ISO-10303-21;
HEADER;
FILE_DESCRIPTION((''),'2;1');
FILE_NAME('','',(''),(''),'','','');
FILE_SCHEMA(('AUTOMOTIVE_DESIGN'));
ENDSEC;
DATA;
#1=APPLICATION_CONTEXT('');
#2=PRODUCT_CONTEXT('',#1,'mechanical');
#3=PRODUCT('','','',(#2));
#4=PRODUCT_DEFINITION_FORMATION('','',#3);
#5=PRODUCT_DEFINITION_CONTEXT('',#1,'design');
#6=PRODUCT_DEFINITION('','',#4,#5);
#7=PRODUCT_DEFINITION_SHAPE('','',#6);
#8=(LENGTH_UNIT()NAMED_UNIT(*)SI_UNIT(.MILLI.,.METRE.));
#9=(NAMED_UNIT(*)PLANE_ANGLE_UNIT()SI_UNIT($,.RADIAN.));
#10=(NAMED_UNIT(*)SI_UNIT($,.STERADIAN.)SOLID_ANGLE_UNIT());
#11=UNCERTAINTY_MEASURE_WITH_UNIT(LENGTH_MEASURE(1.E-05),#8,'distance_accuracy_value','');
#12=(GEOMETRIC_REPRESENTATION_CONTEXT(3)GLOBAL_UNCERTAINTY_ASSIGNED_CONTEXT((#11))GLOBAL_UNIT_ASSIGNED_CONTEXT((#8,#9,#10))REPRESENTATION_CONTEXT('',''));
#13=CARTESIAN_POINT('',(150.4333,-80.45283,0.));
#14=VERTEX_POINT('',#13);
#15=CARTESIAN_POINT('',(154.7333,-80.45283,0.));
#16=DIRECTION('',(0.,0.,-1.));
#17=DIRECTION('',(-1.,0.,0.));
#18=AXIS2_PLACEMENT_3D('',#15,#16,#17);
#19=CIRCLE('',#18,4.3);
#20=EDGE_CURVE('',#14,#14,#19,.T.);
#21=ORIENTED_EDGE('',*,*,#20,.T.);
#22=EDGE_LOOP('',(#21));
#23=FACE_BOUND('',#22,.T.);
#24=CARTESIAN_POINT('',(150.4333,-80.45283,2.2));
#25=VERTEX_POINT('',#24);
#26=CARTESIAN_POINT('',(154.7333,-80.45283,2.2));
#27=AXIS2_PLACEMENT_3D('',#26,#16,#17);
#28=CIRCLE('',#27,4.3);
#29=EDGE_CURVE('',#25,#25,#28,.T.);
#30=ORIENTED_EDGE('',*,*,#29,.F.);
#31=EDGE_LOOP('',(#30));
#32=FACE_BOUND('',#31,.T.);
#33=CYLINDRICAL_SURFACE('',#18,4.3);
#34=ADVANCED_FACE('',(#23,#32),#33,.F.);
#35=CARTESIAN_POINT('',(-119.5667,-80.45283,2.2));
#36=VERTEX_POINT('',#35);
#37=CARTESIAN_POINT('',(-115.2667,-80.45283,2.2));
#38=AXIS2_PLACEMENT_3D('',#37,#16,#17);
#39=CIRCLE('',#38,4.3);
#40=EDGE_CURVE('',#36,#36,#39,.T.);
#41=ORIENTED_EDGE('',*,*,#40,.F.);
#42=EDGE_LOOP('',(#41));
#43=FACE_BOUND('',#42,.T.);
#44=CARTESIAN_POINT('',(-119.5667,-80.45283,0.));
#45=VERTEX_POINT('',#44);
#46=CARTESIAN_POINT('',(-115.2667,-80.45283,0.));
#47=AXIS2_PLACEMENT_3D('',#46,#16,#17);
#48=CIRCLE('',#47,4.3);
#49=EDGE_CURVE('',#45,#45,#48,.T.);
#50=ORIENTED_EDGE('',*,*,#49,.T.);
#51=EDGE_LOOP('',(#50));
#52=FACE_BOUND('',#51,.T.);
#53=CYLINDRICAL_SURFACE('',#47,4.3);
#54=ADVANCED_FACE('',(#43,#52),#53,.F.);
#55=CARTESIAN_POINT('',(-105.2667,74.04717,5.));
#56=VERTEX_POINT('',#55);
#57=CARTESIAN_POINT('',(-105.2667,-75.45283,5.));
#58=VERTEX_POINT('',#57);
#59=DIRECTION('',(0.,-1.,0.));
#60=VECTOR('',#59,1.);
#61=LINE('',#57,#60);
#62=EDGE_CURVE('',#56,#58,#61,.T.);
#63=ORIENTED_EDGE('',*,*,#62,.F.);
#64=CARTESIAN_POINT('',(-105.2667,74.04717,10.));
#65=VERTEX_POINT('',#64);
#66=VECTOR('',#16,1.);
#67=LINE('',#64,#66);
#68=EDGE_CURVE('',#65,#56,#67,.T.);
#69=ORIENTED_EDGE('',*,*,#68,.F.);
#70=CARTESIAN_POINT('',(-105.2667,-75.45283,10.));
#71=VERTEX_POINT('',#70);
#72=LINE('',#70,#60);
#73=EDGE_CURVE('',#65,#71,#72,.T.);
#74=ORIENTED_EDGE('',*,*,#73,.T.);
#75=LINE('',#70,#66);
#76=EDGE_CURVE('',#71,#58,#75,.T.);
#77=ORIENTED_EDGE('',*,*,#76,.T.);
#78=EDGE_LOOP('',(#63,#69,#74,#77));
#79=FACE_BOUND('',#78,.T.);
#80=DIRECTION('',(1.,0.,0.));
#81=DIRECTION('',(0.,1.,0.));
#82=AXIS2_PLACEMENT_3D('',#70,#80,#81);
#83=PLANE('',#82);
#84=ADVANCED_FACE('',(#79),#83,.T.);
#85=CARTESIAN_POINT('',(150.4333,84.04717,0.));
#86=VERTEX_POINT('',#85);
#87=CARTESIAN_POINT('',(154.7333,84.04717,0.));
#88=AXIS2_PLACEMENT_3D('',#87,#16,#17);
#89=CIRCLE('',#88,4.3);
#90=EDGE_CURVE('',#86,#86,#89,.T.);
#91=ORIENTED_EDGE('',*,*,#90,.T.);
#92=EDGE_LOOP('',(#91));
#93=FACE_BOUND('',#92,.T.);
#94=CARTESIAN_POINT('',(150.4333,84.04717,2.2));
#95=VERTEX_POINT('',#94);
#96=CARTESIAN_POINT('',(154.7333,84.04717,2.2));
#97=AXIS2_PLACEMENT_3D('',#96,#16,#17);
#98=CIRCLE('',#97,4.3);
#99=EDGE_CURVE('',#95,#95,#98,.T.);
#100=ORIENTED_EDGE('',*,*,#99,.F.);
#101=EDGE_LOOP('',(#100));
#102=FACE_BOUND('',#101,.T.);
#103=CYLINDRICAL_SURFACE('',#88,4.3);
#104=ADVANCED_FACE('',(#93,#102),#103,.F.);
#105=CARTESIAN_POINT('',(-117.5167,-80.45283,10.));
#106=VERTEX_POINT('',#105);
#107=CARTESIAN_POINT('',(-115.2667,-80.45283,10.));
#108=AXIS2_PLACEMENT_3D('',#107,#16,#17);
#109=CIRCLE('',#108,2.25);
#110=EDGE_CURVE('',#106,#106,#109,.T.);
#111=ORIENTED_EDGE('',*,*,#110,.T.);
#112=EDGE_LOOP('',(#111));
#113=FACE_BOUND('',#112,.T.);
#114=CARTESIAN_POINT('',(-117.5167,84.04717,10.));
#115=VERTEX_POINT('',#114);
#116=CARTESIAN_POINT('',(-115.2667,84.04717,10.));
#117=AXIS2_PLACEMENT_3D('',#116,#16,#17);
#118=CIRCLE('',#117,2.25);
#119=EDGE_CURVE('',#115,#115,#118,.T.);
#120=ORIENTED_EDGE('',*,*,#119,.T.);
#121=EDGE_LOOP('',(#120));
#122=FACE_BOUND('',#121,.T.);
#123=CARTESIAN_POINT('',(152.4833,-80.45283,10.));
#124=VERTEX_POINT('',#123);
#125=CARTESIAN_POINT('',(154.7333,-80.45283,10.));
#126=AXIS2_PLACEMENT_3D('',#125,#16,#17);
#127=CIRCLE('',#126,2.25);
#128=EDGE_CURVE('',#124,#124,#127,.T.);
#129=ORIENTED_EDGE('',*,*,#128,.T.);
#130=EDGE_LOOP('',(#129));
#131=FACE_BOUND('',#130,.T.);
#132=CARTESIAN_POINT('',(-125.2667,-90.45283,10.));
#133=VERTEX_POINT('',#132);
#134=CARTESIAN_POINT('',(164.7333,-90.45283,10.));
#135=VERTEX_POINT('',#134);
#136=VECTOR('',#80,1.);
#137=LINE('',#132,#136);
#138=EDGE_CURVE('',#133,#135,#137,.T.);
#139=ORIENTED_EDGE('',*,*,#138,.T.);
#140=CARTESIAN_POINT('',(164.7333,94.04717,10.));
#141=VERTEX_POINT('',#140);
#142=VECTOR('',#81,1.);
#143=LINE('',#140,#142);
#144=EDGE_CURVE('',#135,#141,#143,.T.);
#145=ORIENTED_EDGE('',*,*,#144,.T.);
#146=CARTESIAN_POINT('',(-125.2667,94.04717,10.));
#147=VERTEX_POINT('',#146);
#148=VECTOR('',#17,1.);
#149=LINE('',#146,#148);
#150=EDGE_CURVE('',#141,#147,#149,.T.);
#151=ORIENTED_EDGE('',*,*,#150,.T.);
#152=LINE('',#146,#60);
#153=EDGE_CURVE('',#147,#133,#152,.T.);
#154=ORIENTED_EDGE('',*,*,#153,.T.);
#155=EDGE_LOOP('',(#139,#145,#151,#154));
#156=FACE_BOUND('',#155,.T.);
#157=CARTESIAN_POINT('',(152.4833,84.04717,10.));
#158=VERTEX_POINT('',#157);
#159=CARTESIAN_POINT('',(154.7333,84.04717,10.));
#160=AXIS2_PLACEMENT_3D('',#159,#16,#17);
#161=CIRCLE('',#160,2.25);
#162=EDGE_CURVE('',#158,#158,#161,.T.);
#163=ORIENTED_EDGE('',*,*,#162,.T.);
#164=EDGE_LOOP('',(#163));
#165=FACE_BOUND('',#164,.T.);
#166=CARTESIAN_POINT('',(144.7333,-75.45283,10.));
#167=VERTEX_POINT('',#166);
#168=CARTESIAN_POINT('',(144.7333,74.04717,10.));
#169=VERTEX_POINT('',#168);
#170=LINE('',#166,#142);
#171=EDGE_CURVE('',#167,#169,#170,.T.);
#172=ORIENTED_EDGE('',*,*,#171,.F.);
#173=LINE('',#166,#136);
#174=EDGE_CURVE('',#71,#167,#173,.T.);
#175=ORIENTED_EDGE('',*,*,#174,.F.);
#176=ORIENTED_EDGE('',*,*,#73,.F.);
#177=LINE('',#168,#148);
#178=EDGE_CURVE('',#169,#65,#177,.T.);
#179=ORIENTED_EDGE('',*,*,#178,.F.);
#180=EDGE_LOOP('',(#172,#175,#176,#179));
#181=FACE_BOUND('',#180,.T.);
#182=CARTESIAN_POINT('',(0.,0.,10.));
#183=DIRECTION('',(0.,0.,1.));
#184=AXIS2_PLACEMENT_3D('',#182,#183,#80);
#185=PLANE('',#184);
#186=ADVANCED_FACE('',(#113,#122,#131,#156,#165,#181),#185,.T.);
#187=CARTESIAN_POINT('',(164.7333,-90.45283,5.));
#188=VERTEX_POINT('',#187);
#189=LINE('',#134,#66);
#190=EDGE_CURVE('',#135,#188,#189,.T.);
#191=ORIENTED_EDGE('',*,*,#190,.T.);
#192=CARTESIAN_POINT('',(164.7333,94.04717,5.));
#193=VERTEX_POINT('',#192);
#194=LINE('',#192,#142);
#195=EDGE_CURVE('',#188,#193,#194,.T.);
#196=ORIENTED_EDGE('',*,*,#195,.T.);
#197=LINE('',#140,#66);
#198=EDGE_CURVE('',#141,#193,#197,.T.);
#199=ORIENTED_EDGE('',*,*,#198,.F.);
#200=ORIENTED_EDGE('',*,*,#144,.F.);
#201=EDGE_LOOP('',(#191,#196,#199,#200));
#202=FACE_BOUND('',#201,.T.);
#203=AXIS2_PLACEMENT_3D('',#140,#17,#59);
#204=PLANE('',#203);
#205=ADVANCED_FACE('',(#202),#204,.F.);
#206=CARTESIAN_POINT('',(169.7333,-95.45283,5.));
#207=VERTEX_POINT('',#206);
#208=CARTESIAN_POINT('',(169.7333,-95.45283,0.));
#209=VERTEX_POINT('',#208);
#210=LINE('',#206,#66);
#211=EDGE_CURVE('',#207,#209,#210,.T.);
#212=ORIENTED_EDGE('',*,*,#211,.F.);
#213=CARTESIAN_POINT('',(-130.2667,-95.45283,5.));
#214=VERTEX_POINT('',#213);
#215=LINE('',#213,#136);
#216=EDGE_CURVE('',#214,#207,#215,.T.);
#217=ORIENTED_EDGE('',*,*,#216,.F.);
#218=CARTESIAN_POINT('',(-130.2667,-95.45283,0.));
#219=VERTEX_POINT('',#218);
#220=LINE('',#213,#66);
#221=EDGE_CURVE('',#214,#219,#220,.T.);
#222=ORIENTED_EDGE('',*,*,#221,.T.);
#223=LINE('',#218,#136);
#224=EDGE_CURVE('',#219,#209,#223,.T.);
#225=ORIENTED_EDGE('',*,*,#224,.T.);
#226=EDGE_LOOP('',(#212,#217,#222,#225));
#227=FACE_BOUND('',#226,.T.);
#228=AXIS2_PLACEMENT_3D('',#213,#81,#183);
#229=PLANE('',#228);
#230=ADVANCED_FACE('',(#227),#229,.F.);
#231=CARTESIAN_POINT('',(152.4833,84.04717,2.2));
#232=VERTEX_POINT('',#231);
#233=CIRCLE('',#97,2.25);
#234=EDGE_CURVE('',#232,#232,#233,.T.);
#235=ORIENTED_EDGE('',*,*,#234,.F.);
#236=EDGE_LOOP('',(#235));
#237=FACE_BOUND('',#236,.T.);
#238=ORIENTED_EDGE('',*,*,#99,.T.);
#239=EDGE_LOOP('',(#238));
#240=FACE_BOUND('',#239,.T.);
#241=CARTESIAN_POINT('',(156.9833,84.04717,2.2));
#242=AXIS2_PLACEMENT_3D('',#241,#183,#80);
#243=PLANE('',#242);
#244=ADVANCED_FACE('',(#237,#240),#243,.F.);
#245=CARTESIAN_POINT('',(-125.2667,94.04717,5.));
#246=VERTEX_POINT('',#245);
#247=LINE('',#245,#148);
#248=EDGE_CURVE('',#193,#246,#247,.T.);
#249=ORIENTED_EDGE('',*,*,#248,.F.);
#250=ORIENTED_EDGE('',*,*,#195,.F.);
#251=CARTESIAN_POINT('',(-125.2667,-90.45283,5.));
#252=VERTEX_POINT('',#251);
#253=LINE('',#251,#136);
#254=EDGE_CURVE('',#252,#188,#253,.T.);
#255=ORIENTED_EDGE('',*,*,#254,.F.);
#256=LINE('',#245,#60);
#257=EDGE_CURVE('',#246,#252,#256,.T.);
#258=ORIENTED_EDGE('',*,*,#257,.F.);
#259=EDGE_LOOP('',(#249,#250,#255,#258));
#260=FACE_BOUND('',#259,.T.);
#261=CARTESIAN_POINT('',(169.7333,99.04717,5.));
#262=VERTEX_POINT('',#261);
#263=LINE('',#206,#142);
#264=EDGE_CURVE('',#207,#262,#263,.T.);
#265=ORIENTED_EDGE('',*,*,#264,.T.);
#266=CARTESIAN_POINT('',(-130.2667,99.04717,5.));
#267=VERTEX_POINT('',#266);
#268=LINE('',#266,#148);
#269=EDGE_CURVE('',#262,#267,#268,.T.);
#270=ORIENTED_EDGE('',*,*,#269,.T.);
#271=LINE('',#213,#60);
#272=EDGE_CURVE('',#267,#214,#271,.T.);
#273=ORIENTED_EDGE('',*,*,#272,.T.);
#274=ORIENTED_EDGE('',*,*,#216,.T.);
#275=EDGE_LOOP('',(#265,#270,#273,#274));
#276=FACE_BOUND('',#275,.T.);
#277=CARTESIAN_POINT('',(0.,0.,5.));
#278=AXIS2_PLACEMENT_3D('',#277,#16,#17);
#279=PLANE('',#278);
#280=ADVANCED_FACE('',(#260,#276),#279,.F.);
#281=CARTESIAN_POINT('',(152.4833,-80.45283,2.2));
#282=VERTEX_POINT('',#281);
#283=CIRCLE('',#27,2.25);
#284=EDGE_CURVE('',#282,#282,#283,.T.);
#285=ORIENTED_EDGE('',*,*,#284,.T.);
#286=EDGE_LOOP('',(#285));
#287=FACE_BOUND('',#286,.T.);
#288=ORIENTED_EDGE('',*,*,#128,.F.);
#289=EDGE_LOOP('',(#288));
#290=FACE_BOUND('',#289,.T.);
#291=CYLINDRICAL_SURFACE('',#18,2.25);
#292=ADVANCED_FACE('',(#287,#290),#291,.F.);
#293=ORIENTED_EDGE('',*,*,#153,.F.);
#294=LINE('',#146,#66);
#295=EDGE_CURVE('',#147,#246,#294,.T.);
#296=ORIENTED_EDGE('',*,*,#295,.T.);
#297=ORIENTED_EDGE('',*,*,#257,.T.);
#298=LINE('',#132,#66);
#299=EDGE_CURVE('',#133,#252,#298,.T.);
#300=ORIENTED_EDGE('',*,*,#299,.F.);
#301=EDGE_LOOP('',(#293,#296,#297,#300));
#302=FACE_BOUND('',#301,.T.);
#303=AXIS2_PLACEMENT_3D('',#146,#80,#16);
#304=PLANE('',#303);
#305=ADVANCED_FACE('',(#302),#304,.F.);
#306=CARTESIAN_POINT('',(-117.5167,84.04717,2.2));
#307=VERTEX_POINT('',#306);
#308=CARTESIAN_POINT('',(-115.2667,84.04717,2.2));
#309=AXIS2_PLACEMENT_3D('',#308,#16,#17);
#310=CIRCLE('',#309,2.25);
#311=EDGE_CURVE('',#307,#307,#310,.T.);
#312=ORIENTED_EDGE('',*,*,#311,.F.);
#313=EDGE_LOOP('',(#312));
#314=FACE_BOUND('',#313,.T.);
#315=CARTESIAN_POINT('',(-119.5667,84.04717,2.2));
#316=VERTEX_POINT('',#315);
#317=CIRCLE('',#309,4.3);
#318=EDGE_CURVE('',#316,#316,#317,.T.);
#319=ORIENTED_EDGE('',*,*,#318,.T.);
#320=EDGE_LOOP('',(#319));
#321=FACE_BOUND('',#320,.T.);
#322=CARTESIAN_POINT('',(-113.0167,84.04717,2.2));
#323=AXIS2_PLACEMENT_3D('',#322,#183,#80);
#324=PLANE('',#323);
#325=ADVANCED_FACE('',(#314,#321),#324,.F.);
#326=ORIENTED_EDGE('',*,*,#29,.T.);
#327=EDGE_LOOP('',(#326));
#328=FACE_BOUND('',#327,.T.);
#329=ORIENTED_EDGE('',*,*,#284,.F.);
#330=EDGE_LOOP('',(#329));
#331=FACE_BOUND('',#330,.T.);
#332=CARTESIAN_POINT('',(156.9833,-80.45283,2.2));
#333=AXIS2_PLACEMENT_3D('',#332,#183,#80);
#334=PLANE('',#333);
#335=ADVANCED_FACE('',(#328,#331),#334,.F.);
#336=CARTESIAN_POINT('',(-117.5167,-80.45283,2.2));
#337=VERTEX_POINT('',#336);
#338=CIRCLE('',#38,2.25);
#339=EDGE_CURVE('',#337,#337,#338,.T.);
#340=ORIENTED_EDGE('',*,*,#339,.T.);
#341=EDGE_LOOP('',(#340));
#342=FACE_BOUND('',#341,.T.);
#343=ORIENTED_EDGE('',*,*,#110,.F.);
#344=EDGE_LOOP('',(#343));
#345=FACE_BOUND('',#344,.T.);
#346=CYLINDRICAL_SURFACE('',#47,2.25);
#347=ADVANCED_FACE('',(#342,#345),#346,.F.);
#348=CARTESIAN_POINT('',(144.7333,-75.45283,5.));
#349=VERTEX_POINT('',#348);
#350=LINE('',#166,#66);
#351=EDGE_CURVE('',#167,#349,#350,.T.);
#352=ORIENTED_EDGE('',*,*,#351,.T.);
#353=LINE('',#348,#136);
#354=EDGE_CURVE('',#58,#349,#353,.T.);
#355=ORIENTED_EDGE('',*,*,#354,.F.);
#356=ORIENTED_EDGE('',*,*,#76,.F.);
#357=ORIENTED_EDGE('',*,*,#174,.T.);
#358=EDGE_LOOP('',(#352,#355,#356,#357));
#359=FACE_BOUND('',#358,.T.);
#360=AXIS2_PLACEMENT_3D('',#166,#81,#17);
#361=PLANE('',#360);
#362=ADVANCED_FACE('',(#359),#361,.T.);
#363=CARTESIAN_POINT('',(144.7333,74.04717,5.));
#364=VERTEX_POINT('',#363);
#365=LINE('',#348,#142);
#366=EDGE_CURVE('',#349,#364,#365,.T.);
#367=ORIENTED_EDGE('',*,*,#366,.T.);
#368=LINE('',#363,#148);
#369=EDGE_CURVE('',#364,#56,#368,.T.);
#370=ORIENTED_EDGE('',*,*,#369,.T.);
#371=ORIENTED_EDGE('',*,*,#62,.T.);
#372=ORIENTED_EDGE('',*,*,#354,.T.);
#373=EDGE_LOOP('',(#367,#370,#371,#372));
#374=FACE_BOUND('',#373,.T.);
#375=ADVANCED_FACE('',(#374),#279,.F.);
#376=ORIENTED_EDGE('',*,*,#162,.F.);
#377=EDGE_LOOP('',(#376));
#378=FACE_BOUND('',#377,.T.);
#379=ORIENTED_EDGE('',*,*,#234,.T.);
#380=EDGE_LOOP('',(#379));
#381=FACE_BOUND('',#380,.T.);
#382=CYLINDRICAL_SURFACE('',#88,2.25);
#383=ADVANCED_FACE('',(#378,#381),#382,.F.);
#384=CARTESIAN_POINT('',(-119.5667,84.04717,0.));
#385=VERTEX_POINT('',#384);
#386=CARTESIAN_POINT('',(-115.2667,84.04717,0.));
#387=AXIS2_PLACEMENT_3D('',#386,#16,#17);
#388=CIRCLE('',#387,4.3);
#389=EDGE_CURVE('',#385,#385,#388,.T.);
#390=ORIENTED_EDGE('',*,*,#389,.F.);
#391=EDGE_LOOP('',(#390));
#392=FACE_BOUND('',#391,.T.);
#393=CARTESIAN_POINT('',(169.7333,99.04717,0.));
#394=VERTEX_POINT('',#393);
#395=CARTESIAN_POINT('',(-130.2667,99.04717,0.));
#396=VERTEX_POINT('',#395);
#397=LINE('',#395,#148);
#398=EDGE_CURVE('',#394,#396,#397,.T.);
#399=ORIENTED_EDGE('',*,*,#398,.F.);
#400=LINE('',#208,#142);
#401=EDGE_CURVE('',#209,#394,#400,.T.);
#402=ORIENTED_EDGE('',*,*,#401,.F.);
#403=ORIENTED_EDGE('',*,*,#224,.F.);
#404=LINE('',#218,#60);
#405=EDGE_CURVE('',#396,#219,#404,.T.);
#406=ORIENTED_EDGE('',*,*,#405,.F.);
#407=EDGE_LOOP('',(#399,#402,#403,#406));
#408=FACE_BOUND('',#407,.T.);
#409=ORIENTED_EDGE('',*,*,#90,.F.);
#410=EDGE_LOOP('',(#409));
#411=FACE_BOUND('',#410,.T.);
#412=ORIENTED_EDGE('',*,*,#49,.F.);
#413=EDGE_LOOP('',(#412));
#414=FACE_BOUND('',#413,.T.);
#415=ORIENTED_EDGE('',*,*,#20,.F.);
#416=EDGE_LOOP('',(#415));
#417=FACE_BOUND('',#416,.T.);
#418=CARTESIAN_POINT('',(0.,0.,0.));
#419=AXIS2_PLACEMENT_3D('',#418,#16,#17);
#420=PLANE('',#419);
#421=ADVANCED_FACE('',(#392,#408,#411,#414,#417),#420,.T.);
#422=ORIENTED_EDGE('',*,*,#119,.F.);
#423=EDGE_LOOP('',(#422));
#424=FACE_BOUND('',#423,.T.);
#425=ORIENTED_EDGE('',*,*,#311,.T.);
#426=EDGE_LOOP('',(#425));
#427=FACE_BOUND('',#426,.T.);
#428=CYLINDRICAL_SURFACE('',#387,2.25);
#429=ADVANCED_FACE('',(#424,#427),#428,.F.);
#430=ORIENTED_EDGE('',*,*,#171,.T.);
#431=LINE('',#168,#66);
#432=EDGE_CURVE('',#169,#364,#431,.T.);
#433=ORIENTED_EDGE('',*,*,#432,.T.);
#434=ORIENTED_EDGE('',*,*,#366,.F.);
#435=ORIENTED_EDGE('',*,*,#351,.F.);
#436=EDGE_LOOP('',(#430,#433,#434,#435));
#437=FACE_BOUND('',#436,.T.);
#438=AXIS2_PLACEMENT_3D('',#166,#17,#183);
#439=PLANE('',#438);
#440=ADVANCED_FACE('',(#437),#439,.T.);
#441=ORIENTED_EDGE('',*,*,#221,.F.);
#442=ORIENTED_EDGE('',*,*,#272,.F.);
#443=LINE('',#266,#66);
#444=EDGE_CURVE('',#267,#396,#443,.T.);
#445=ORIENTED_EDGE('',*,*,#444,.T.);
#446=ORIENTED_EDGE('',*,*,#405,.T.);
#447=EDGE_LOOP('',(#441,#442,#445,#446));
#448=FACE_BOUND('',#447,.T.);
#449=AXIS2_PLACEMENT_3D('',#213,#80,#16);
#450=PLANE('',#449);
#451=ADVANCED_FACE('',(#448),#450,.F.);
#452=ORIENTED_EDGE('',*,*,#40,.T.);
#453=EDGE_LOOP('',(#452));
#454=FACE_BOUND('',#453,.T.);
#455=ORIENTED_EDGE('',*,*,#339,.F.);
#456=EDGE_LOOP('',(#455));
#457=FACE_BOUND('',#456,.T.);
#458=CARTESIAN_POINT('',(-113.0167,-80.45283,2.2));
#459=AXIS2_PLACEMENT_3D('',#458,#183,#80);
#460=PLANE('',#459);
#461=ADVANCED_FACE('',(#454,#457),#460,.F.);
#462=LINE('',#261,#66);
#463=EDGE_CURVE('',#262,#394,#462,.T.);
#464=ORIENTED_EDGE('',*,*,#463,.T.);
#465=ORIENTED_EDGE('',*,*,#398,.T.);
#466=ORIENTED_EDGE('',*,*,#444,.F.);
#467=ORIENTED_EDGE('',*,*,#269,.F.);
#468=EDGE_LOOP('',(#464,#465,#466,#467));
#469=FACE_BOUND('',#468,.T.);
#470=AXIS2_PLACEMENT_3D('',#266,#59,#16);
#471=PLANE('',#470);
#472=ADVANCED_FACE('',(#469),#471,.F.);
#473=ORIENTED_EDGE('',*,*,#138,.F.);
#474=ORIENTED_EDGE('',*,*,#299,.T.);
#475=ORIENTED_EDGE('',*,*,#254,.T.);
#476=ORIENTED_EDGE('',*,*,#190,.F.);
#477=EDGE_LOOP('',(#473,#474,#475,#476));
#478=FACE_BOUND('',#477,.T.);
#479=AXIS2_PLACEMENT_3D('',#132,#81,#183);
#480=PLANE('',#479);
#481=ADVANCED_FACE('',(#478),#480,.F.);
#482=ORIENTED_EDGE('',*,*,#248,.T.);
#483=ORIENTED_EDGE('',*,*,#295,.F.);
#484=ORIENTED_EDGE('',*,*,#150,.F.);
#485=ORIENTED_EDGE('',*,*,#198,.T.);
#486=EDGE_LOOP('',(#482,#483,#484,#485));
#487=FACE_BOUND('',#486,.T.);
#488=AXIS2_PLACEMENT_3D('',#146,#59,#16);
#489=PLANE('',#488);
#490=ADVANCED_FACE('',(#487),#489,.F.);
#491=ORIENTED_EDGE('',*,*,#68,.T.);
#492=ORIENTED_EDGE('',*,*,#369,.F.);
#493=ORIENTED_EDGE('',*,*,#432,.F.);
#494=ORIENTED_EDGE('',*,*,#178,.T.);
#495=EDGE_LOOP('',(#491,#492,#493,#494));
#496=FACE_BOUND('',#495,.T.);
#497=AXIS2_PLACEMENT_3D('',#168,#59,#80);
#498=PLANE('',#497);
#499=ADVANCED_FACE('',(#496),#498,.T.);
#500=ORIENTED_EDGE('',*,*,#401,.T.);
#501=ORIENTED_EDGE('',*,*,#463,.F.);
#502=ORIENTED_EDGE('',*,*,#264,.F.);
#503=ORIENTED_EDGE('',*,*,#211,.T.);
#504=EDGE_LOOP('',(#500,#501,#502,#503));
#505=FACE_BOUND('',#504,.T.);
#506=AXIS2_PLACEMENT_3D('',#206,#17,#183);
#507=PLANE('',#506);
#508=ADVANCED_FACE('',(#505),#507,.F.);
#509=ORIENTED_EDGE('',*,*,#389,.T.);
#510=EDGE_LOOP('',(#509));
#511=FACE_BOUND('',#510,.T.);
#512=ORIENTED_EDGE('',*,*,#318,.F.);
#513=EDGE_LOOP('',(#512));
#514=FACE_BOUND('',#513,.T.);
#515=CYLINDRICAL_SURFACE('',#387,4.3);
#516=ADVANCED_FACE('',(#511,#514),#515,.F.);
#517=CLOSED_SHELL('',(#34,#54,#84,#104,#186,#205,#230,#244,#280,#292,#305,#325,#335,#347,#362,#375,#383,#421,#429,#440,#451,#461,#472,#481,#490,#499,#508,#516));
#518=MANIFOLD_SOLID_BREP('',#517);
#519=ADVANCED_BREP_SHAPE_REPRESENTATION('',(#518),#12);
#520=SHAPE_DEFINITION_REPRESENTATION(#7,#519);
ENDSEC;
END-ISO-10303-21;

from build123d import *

# Parameters (mm, degrees)
SKIZZE1_W                                           = 300
SKIZZE1_H                                           = 194.5
AUFSATZ_LINEAR_AUSTRAGEN1_DEPTH                     = 5
SKIZZE2_W                                           = 290
SKIZZE2_H                                           = 184.5
SKIZZE2_W_2                                         = 250
SKIZZE2_H_2                                         = 149.5
AUFSATZ_LINEAR_AUSTRAGEN2_DEPTH                     = 5
STIRNSENKUNG_F_R_M4_SENKSCHRAUBE_KOPF_B_D           = 4.5
STIRNSENKUNG_F_R_M4_SENKSCHRAUBE_KOPF_B_CBORE_D     = 8.6
STIRNSENKUNG_F_R_M4_SENKSCHRAUBE_KOPF_B_CBORE_DEPTH = 2.2
SPIEGELN2_COPY_1_D                                  = 4.5
SPIEGELN2_COPY_1_CBORE_D                            = 8.6
SPIEGELN2_COPY_1_CBORE_DEPTH                        = 2.2


with BuildPart() as part:
    # Skizze1 → Aufsatz-Linear austragen1 (new body)
    with BuildSketch(Plane.XY):
        with Locations((19.733299505, 1.797169811)):
            Rectangle(SKIZZE1_W, SKIZZE1_H)
    extrude(amount=AUFSATZ_LINEAR_AUSTRAGEN1_DEPTH)

    # Skizze2 → Aufsatz-Linear austragen2 (add)
    with BuildSketch(Plane.XY.offset(5)):
        with Locations((19.733299505, 1.797169811)):
            Rectangle(SKIZZE2_W, SKIZZE2_H)
        with Locations((19.733299505, -0.702830189)):
            Rectangle(SKIZZE2_W_2, SKIZZE2_H_2, mode=Mode.SUBTRACT)
    extrude(amount=AUFSATZ_LINEAR_AUSTRAGEN2_DEPTH)

    # Stirnsenkung für M4 Senkschraube (Kopf Button)1 (through all)
    with Locations(Plane(origin=(0, 0, 0), x_dir=(-1, 0, 0), z_dir=(0, 0, -1))):
        with Locations((115.266700495, 84.047169811)):
            stirnsenkung_f_r_m4_senkschraube_kopf_b = CounterBoreHole(STIRNSENKUNG_F_R_M4_SENKSCHRAUBE_KOPF_B_D / 2, STIRNSENKUNG_F_R_M4_SENKSCHRAUBE_KOPF_B_CBORE_D / 2, STIRNSENKUNG_F_R_M4_SENKSCHRAUBE_KOPF_B_CBORE_DEPTH)

    # Spiegeln1: Stirnsenkung für M4 Senkschraube (Kopf Button)1 across plane
    add(stirnsenkung_f_r_m4_senkschraube_kopf_b.mirror(Plane.ZX.offset(1.797169811)), mode=Mode.SUBTRACT)

    # Spiegeln2: Stirnsenkung für M4 Senkschraube (Kopf Button)1 across plane
    add(stirnsenkung_f_r_m4_senkschraube_kopf_b.mirror(Plane(origin=(19.733299505, 0, 0), x_dir=(0, 0, 1), z_dir=(1, 0, 0))), mode=Mode.SUBTRACT)

    # Spiegeln2 copy 1 (through all)
    with Locations(Plane(origin=(39.46659901, 3.594339623, 0), x_dir=(1, 0, 0), z_dir=(0, 0, -1))):
        with Locations((115.266700495, 84.047169811)):
            CounterBoreHole(SPIEGELN2_COPY_1_D / 2, SPIEGELN2_COPY_1_CBORE_D / 2, SPIEGELN2_COPY_1_CBORE_DEPTH)


solid = part.part
